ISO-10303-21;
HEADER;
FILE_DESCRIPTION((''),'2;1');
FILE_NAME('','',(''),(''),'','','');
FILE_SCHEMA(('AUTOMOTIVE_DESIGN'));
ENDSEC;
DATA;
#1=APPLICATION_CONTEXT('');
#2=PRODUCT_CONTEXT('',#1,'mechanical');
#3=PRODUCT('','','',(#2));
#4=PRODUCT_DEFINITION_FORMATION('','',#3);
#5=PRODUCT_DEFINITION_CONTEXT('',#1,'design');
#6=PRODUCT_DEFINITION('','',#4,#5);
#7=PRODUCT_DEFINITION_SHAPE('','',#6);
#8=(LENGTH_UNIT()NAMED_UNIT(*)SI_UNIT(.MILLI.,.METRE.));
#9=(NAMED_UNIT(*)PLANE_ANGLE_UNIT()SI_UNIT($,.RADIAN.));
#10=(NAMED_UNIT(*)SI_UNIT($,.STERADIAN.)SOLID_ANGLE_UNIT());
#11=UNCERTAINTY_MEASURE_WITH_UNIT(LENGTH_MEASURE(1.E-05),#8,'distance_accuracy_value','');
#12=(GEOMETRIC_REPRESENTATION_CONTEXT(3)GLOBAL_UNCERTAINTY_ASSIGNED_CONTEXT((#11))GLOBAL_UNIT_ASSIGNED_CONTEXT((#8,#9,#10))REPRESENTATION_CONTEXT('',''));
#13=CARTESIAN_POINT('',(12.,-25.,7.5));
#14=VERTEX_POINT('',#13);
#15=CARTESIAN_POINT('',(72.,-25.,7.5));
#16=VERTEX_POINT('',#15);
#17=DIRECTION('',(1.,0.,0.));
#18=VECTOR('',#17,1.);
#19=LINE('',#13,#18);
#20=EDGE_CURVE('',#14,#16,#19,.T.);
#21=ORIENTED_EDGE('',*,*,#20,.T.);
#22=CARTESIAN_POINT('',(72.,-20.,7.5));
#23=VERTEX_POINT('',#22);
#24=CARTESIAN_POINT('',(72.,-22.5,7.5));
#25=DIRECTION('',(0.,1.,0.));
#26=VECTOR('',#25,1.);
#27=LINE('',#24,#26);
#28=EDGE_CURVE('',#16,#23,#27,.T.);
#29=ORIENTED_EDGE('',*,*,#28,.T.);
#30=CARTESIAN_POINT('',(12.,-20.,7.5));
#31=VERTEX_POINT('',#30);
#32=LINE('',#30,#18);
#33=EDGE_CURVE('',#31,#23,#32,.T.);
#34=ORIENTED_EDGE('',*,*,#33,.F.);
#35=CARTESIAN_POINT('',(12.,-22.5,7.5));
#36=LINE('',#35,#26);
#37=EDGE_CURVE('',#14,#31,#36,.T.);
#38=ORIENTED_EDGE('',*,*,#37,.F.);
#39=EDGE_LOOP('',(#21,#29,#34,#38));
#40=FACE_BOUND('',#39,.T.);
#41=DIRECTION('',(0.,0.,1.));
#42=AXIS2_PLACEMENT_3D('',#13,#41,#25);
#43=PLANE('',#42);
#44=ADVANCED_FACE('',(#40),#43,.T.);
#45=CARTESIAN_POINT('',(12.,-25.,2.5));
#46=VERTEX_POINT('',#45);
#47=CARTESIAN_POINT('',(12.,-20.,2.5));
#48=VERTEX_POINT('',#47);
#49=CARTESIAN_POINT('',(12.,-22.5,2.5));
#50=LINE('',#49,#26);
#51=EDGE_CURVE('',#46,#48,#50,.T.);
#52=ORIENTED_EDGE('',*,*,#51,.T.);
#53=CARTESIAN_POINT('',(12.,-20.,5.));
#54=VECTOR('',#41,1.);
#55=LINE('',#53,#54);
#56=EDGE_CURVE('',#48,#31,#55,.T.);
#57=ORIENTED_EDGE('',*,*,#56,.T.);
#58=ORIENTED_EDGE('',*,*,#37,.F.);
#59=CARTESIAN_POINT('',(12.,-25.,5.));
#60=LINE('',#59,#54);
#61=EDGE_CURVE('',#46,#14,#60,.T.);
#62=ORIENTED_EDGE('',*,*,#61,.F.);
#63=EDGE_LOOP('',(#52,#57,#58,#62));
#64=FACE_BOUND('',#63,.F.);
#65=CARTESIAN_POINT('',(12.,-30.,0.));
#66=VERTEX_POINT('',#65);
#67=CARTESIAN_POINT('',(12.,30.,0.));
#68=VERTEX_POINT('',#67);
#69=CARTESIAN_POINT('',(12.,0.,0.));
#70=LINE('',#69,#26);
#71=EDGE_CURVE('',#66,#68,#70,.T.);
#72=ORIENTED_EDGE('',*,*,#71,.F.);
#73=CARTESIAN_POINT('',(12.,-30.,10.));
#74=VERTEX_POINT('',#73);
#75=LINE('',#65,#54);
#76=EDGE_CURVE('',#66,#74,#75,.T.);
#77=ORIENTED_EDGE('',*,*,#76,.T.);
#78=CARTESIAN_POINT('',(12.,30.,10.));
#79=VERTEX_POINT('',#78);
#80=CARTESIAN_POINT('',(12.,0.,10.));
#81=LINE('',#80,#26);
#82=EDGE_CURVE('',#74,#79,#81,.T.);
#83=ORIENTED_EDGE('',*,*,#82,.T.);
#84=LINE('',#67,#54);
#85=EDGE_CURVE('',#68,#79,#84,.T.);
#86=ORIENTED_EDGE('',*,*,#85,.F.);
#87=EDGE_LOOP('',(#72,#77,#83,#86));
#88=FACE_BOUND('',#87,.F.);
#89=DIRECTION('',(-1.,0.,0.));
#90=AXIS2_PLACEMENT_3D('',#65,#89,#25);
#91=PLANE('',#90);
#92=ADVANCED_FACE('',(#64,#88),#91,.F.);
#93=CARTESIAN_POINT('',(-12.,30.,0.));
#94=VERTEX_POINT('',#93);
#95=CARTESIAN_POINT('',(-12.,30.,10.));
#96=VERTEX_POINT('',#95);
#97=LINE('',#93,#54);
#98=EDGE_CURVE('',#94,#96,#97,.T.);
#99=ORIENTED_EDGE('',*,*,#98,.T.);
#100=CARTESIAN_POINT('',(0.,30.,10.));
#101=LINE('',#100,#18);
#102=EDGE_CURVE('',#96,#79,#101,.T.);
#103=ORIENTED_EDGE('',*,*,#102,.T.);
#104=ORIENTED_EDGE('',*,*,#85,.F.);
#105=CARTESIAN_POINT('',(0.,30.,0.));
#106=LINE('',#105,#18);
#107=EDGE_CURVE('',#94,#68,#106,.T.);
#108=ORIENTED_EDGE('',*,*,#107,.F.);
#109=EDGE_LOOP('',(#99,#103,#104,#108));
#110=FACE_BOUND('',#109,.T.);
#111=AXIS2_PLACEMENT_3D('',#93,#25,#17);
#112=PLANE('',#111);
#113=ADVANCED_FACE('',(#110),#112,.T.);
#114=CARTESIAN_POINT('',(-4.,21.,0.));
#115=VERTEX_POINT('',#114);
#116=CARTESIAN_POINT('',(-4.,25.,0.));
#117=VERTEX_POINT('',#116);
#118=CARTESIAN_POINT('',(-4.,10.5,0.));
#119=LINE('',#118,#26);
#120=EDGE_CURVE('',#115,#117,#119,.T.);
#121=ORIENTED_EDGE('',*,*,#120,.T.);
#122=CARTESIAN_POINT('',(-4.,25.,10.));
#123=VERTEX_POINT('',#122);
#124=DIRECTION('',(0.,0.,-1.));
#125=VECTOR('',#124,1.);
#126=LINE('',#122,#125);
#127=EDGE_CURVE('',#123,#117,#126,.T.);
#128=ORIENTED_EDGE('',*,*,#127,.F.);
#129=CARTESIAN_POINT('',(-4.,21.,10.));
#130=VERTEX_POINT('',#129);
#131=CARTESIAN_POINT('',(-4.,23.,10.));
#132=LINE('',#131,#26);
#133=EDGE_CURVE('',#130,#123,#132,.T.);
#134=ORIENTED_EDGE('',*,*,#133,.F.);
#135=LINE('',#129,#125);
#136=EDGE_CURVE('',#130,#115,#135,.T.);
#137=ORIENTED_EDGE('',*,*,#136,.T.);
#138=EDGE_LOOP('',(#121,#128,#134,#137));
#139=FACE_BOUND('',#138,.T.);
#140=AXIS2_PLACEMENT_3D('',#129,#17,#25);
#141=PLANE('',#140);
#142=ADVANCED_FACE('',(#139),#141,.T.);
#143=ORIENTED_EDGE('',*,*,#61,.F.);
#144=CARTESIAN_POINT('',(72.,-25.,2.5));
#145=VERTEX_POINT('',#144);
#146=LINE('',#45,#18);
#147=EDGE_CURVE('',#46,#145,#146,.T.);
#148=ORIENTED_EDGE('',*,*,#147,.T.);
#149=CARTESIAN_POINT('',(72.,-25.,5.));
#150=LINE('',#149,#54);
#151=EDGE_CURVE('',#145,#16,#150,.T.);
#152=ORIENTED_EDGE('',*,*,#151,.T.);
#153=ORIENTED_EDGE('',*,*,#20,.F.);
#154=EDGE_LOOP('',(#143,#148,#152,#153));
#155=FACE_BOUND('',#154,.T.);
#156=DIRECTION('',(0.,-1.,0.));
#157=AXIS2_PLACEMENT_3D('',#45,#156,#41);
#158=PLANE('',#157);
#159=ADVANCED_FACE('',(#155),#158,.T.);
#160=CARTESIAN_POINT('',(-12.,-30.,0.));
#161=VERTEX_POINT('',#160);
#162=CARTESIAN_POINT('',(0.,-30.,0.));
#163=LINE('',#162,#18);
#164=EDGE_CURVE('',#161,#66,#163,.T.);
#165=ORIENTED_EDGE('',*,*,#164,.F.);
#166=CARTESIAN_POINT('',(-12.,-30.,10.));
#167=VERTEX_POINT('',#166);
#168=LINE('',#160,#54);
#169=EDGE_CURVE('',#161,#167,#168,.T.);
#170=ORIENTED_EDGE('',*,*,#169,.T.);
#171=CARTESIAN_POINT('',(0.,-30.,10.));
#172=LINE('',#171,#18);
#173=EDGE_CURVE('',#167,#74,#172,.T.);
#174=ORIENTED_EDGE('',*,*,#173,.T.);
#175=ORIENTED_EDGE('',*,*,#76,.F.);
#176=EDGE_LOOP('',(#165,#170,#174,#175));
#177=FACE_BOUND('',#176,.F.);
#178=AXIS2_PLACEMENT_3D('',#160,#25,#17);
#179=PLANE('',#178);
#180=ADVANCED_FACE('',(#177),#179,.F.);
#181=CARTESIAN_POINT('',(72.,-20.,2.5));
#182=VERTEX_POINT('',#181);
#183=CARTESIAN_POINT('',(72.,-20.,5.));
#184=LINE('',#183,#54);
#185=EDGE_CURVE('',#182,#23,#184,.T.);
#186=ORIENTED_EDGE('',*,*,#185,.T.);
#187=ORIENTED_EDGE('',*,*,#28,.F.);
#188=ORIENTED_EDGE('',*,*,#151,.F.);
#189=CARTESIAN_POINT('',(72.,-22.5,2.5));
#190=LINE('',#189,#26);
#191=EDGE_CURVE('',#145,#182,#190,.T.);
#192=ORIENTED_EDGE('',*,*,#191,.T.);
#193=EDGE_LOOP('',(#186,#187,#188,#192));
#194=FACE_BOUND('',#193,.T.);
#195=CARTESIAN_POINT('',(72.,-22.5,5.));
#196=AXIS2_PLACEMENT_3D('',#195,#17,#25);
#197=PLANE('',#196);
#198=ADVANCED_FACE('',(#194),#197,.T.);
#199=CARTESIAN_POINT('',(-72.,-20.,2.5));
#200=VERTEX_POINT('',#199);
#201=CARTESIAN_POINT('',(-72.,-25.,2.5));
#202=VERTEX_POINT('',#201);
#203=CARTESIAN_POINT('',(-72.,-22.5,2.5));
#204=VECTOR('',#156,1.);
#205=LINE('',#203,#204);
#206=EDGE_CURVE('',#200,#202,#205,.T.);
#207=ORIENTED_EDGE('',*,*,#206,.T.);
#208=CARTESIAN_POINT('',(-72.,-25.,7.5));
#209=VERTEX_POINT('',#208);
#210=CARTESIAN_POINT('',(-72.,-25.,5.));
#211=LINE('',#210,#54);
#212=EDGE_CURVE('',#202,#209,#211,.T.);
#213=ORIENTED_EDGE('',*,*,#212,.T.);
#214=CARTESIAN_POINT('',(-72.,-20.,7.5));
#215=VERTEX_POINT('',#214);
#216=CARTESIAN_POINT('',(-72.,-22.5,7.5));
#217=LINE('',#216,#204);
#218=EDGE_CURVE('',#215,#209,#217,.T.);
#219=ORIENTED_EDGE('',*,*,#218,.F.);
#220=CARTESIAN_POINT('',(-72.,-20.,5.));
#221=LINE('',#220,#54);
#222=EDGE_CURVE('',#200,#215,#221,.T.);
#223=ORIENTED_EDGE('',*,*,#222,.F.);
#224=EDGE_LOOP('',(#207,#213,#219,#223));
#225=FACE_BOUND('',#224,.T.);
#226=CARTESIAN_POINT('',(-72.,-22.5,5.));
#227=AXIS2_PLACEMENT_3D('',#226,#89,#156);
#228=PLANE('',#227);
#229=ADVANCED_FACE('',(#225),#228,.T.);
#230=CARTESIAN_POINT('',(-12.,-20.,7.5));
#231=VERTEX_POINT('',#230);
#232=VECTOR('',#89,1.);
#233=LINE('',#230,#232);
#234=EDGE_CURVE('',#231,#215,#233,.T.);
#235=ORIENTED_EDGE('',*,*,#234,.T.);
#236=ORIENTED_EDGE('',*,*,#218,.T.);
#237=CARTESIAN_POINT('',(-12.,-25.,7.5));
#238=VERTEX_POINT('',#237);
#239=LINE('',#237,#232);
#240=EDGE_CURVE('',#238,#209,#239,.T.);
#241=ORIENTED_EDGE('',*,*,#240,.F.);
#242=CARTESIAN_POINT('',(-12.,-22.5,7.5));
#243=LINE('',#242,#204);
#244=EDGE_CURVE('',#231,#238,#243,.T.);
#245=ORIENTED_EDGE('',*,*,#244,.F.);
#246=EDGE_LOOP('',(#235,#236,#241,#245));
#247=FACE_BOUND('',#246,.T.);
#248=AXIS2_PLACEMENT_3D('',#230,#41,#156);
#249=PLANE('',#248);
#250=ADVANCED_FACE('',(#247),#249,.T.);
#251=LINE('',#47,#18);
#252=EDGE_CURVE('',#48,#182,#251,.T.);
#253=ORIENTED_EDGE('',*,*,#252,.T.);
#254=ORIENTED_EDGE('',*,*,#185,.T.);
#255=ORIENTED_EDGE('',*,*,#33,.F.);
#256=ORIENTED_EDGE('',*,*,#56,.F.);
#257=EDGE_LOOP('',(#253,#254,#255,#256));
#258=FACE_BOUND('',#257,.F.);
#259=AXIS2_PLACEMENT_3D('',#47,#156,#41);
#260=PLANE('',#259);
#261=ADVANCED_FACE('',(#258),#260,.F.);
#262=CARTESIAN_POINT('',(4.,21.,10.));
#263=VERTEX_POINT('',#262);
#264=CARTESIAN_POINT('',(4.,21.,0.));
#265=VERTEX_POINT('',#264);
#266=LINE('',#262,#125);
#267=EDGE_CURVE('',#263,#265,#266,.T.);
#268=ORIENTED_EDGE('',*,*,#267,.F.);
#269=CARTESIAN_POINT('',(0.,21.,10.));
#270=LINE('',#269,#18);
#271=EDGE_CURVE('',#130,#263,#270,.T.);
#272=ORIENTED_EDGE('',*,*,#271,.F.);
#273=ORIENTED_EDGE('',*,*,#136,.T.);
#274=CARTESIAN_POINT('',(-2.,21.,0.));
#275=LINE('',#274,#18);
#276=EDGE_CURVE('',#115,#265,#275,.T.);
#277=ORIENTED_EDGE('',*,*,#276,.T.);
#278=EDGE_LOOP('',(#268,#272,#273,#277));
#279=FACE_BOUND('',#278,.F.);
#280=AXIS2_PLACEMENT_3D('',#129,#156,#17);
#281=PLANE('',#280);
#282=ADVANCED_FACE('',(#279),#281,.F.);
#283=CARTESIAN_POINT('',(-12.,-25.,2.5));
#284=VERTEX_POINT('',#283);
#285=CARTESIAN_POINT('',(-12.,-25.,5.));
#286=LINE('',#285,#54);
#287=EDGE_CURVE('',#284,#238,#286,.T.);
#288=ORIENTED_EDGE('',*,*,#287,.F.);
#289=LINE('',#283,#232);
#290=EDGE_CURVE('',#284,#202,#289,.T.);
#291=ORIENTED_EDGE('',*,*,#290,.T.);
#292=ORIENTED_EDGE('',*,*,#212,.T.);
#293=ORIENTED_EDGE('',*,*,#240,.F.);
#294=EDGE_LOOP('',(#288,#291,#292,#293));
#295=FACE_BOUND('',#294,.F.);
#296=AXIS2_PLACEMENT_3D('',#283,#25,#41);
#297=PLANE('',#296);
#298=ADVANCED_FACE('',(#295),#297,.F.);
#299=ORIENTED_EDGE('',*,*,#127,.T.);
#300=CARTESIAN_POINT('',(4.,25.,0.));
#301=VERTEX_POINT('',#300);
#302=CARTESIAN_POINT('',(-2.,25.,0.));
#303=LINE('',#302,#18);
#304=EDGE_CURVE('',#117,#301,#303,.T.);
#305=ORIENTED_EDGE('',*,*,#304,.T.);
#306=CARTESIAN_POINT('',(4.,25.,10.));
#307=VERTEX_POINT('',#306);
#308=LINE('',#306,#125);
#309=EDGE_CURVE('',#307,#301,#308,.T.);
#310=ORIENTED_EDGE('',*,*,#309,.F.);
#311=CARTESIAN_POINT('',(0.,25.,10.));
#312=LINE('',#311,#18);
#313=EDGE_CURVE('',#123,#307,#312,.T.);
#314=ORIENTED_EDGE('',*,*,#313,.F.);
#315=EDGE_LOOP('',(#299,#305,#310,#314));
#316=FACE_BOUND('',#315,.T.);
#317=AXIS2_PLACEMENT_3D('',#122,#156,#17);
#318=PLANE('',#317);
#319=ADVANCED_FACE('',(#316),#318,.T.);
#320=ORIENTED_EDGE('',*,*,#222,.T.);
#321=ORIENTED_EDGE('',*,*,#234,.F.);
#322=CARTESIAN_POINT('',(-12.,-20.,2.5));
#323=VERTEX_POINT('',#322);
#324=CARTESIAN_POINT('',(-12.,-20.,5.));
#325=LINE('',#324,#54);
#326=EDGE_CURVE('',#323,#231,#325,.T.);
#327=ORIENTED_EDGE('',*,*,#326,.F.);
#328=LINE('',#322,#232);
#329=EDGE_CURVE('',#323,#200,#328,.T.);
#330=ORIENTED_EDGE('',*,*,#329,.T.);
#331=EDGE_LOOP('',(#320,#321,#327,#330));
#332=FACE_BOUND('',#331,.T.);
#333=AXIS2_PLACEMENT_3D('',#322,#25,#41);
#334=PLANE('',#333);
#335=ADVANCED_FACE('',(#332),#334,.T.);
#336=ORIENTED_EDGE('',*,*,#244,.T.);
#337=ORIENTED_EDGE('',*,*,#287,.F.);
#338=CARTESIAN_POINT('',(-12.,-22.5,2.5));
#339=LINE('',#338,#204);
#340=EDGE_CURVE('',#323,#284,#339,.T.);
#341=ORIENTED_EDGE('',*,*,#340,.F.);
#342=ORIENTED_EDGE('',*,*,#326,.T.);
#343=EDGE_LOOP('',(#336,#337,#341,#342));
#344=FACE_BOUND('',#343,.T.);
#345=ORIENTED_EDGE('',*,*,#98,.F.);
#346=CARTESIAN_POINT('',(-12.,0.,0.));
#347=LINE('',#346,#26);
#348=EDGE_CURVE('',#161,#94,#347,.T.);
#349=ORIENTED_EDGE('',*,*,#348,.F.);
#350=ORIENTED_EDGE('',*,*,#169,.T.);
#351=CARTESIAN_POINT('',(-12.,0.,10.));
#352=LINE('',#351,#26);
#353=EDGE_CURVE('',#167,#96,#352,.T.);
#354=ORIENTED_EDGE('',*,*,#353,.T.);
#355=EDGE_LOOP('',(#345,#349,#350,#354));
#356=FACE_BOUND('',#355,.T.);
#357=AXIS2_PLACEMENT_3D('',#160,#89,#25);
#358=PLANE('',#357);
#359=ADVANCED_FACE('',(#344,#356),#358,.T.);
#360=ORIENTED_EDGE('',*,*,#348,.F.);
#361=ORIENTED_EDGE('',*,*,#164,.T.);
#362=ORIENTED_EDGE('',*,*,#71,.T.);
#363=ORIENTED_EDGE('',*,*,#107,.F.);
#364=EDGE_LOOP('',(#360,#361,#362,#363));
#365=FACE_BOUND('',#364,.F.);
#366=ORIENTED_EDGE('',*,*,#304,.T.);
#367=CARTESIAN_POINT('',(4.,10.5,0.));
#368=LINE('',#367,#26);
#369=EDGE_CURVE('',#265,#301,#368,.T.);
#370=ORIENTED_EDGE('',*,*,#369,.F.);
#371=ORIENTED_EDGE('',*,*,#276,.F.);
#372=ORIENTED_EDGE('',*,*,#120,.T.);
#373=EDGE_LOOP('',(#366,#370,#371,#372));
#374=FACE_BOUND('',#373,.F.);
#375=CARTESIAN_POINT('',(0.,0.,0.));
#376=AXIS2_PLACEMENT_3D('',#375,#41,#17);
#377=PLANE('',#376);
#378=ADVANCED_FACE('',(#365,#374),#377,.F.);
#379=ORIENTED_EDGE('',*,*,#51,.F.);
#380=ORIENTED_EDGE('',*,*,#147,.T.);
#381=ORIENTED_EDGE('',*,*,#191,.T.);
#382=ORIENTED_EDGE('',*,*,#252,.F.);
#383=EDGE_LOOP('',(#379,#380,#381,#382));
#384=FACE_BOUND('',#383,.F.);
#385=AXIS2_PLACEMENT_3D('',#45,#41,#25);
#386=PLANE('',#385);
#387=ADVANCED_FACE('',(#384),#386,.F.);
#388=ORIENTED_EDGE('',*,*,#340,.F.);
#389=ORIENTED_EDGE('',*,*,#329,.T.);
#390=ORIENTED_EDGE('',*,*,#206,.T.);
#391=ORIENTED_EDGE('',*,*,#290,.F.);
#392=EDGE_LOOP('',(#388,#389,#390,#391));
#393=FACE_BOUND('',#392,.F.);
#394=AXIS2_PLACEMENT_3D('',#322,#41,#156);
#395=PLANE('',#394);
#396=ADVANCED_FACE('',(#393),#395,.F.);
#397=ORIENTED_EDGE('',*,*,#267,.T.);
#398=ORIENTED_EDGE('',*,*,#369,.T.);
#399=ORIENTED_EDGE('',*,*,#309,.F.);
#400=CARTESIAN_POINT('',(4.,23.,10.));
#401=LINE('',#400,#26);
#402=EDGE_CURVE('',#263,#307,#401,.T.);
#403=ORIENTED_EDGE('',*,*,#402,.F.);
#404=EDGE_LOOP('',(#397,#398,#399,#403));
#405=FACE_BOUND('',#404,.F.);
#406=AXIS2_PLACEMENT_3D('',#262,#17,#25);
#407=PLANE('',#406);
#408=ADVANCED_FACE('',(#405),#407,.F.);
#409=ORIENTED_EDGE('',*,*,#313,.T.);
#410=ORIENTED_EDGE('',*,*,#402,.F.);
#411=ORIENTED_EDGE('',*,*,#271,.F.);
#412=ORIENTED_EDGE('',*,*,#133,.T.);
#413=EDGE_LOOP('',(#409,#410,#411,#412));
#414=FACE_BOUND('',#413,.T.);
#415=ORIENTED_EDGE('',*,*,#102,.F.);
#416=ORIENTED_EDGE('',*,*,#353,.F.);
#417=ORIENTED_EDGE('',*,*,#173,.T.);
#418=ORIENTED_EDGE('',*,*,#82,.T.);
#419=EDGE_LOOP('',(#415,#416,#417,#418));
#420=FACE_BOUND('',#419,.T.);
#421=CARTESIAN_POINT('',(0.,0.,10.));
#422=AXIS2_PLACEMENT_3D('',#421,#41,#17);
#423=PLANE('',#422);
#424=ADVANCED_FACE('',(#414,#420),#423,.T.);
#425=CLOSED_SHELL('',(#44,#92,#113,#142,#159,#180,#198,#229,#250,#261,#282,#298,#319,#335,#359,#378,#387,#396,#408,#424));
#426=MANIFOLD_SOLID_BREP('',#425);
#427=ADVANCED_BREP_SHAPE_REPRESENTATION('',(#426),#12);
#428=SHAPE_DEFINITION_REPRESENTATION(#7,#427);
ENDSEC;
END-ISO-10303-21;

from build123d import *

# Parameters (mm, degrees)
F0_W     = 24
F0_H     = 60
F1_DEPTH = 10
F2_W     = 8
F2_H     = 4
F3_DEPTH = 25
F4_W     = 5
F4_H     = 5
F5_DEPTH = 60
F6_W     = 5
F6_H     = 5
F7_DEPTH = 60


with BuildPart() as f1:
    # F0 (on Top) → F1 (new body)
    with BuildSketch(Plane.XY):
        Rectangle(F0_W, F0_H)
    extrude(amount=F1_DEPTH)

    # F2 (on face) → F3 (cut)
    with BuildSketch(Plane.XY.offset(10)):
        with Locations((0, 23)):
            Rectangle(F2_W, F2_H)
    extrude(amount=-F3_DEPTH, mode=Mode.SUBTRACT)

    # F4 (on face) → F5 (join)
    with BuildSketch(Plane.YZ.offset(12)):
        with Locations((-22.5, 5)):
            Rectangle(F4_W, F4_H)
    extrude(amount=F5_DEPTH)

    # F6 (on face) → F7 (join)
    with BuildSketch(Plane(origin=(-12, 0, 0), x_dir=(0, -1, 0), z_dir=(-1, 0, 0))):
        with Locations((22.5, 5)):
            Rectangle(F6_W, F6_H)
    extrude(amount=F7_DEPTH)


solid = f1.part
